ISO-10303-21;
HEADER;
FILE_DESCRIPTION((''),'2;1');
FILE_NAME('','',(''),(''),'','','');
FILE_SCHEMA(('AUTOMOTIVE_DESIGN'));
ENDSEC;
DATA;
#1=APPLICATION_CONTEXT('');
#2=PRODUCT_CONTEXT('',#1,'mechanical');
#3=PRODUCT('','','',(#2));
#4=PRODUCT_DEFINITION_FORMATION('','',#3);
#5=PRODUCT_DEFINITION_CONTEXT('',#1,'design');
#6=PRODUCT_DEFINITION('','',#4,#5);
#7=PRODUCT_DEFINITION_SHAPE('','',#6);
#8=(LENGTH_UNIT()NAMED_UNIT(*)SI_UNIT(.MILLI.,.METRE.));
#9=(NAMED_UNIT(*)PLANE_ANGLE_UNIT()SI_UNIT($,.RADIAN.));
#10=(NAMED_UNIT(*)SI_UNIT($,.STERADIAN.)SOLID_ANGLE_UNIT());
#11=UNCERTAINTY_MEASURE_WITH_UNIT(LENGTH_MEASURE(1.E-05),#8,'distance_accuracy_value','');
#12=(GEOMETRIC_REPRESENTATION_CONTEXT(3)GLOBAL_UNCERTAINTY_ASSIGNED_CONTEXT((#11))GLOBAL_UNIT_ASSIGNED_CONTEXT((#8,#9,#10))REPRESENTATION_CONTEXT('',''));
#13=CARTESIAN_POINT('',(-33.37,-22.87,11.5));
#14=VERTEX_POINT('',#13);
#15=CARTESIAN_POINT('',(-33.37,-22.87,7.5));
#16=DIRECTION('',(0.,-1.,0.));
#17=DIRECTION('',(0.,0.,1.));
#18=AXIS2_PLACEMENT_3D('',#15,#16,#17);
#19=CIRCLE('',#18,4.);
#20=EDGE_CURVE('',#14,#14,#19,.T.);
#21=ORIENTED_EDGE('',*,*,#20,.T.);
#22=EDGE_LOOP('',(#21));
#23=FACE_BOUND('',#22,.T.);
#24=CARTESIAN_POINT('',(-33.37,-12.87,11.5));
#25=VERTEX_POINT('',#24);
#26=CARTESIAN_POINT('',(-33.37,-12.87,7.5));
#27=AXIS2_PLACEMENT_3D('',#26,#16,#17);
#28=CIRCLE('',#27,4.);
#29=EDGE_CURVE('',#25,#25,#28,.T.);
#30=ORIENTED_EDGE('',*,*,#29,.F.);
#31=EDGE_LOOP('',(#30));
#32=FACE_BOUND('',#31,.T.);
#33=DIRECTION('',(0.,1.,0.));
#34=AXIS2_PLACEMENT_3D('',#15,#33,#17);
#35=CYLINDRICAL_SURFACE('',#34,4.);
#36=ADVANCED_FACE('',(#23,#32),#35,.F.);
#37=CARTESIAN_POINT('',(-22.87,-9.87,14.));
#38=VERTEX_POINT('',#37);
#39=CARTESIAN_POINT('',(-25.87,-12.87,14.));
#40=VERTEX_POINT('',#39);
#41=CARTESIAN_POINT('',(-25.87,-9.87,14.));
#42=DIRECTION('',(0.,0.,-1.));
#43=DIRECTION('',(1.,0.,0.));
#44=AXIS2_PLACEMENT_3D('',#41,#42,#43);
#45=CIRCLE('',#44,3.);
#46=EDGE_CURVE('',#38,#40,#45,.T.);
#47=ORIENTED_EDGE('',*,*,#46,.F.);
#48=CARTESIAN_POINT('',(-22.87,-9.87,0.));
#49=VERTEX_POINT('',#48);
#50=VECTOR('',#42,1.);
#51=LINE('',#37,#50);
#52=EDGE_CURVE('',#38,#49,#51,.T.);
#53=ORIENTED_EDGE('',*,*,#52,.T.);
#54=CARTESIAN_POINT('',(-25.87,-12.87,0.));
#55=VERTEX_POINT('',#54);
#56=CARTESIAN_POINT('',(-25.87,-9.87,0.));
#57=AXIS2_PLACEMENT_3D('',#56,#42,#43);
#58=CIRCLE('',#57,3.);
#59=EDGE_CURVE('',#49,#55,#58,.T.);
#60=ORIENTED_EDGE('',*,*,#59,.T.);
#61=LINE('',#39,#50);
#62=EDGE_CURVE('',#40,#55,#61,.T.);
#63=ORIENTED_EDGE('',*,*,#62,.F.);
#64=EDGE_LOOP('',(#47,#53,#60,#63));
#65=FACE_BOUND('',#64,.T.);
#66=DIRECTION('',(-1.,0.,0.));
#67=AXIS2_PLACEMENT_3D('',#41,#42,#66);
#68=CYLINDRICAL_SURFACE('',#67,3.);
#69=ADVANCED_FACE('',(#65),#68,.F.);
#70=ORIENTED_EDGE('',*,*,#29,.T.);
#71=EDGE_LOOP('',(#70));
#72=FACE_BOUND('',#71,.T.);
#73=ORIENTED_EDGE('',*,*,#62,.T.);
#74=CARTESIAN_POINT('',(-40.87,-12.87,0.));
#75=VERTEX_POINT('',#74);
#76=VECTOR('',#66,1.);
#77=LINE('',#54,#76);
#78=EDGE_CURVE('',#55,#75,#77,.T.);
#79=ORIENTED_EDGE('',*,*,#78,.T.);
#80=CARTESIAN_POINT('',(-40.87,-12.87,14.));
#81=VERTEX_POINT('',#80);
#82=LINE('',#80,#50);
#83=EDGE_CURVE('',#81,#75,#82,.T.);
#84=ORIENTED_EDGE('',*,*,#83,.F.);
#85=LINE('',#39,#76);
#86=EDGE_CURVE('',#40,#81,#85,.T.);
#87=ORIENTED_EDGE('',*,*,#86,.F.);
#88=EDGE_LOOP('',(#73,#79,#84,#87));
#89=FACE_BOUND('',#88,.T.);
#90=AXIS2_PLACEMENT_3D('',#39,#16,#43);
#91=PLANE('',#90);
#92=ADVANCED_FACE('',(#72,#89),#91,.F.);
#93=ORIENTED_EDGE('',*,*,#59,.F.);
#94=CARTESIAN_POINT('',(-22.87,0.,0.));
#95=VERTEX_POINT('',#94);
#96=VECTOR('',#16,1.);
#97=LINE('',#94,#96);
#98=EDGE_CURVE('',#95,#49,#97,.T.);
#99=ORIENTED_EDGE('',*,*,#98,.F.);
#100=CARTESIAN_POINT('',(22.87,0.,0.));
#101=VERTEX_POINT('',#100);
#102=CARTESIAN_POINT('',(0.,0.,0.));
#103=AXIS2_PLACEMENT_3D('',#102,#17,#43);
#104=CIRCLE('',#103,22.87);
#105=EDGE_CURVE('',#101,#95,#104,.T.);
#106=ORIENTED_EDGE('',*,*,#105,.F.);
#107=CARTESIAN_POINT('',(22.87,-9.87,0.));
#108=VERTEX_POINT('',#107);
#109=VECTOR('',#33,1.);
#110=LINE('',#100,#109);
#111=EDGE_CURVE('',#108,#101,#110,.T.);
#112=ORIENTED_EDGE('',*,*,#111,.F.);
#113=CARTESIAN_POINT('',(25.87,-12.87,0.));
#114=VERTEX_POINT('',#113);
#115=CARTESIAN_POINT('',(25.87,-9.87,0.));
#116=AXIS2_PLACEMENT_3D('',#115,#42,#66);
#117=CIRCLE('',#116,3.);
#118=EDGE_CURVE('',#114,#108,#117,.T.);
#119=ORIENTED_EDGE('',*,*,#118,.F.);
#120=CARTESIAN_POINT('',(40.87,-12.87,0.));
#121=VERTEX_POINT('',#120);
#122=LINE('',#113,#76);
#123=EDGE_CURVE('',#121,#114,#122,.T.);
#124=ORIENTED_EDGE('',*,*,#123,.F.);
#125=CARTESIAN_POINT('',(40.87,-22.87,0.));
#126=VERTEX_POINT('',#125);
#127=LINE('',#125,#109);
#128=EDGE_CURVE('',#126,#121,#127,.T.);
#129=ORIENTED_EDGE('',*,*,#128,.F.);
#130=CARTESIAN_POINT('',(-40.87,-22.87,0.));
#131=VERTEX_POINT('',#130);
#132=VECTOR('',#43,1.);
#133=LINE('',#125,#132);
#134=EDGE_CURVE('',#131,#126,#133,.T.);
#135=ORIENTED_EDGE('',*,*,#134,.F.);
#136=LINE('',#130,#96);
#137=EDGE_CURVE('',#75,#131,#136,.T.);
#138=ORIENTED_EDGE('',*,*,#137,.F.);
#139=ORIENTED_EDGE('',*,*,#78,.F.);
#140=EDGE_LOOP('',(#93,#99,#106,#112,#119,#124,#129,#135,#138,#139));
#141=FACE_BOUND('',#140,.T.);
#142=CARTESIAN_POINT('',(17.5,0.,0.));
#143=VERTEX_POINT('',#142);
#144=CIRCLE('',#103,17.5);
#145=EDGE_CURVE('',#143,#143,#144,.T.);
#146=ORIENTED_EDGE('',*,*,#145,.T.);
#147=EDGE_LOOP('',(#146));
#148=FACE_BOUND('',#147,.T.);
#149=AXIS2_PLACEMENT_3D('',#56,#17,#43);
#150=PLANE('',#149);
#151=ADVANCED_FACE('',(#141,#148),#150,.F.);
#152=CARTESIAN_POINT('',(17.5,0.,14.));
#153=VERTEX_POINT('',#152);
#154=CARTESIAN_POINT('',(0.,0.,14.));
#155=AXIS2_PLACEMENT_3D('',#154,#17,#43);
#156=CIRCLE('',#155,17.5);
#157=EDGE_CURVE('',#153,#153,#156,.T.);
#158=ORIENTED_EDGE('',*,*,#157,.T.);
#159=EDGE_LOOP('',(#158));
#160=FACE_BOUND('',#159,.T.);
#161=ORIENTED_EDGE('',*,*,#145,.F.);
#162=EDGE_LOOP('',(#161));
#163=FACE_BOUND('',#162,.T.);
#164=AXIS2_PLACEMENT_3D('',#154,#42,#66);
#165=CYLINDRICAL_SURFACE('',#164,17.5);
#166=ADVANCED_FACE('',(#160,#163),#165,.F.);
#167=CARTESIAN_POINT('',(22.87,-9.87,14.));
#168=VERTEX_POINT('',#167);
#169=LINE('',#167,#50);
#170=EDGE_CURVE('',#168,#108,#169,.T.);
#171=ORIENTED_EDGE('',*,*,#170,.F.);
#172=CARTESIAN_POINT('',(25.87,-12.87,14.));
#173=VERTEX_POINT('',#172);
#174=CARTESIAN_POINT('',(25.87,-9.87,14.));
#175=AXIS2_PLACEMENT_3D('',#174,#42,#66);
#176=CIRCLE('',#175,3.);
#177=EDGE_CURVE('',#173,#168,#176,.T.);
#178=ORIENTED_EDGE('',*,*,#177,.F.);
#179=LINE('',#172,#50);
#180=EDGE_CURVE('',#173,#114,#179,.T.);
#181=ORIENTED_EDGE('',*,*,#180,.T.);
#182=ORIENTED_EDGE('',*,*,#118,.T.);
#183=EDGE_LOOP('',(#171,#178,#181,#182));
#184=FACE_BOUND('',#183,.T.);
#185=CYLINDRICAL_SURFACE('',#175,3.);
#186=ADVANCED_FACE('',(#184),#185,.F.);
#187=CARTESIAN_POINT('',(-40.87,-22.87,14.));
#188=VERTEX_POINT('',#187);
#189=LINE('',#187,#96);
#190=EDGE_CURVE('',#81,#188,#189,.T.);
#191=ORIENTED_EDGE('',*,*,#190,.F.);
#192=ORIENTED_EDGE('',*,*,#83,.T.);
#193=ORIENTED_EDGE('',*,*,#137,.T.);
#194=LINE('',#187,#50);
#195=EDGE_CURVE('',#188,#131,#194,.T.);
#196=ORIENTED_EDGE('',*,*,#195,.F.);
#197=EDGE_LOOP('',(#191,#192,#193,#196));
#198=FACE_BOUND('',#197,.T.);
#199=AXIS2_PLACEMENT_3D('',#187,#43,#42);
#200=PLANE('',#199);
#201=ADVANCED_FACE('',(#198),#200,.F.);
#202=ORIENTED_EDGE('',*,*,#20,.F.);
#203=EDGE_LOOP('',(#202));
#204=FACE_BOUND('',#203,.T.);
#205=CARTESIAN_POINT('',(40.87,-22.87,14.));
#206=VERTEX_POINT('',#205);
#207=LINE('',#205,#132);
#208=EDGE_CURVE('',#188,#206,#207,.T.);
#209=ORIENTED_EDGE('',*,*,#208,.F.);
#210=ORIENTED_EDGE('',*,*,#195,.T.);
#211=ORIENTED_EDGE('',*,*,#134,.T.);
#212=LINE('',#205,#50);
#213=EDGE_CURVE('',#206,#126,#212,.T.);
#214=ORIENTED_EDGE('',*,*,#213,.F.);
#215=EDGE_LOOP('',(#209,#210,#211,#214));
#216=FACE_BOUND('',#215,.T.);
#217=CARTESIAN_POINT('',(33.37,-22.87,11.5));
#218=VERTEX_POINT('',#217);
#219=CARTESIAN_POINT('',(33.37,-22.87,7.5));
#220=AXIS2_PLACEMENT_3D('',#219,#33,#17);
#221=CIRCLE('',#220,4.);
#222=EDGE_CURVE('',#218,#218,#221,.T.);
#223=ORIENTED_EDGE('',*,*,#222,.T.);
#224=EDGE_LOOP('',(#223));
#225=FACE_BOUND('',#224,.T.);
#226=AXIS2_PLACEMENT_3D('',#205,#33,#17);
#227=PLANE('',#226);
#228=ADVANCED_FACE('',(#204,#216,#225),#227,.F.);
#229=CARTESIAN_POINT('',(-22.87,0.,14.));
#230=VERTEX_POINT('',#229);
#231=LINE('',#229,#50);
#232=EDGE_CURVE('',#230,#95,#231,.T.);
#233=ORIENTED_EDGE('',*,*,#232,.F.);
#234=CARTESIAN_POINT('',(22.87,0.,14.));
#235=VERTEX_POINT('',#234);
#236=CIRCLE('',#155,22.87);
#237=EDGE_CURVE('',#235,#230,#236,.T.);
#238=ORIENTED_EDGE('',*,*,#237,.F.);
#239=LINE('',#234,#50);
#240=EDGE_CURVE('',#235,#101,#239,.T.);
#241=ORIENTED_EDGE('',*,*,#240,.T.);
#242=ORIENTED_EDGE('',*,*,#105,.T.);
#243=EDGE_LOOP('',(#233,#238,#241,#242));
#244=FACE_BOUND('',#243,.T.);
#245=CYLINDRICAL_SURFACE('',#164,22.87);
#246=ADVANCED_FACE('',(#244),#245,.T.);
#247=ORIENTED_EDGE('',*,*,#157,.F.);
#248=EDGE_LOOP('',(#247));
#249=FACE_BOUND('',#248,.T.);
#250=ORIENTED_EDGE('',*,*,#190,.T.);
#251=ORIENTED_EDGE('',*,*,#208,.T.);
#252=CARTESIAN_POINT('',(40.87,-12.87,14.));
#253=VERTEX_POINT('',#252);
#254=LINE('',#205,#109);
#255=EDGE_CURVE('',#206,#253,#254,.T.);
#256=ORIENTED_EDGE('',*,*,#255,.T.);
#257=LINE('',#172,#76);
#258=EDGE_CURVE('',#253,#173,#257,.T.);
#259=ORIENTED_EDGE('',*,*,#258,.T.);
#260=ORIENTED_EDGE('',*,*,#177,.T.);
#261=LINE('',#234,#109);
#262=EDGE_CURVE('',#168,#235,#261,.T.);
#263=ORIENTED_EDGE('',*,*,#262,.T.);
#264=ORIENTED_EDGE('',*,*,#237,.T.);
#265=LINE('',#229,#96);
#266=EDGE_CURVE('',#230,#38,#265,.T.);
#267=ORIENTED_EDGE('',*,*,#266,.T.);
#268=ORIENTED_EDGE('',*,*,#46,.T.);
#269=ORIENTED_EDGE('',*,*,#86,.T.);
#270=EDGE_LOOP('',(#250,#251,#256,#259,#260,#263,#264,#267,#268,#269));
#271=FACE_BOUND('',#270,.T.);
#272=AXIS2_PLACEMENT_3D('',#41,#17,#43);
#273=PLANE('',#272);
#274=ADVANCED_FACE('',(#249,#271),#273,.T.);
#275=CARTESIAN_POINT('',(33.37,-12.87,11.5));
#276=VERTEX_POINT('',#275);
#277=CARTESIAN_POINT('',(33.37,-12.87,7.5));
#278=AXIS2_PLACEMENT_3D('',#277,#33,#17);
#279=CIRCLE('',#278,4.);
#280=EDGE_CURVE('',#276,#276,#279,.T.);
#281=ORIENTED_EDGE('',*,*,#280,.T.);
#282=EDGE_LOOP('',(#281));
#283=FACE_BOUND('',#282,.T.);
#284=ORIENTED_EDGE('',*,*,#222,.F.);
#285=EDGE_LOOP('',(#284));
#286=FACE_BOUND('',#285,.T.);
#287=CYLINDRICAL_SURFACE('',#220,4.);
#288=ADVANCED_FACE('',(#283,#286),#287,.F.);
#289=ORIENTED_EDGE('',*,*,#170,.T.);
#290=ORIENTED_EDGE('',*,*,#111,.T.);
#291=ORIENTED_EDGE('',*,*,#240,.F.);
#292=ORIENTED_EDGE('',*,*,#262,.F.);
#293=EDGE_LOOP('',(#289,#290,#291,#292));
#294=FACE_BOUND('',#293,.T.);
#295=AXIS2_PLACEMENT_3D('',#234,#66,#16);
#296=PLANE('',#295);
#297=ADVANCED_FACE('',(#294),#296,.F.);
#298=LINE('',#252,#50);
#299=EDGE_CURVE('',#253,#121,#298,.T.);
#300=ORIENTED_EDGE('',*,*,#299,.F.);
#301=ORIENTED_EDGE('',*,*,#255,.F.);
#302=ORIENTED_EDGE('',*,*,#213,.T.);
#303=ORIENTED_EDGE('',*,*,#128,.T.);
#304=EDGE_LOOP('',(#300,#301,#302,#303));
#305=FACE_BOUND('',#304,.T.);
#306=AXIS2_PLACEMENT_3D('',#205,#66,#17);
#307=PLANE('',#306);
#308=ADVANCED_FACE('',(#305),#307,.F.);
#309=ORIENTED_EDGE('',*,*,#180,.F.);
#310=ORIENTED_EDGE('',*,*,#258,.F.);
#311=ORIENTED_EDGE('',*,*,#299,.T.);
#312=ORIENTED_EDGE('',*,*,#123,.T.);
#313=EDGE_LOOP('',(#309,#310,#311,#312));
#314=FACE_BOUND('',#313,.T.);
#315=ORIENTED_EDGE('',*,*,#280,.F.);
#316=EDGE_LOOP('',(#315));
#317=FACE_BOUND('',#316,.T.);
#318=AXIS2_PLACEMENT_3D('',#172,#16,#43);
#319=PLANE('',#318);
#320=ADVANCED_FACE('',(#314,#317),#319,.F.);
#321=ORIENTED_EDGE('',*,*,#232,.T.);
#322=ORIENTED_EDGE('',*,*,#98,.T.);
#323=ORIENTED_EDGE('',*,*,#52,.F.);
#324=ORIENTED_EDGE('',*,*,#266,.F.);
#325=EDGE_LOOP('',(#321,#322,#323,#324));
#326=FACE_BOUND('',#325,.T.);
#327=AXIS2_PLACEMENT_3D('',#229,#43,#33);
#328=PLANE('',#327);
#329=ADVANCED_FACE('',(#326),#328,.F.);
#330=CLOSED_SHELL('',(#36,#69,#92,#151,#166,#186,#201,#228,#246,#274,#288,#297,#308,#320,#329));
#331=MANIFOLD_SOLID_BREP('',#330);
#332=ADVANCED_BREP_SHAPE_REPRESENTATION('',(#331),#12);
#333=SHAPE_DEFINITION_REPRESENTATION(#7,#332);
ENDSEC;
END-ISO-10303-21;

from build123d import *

# Parameters (mm, degrees)
SKETCH1_R           = 17.5
BOSS_EXTRUDE1_DEPTH = 14
SKETCH2_R           = 4
CUT_EXTRUDE1_DEPTH  = 11


with BuildPart() as part:
    # Sketch1 → Boss-Extrude1 (new body)
    with BuildSketch(Plane.XY):
        with BuildLine():
            Line((40.87, -22.87), (-40.87, -22.87))
            Line((-40.87, -22.87), (-40.87, -12.87))
            Line((-40.87, -12.87), (-25.87, -12.87))
            ThreePointArc((-25.87, -12.87), (-23.748679656, -11.991320344), (-22.87, -9.87))
            Line((-22.87, -9.87), (-22.87, 0))
            ThreePointArc((-22.87, 0), (0, 22.87), (22.87, 0))
            Line((22.87, 0), (22.87, -9.87))
            ThreePointArc((22.87, -9.87), (23.748679656, -11.991320344), (25.87, -12.87))
            Line((25.87, -12.87), (40.87, -12.87))
            Line((40.87, -12.87), (40.87, -22.87))
        make_face()
        Circle(SKETCH1_R, mode=Mode.SUBTRACT)
    extrude(amount=BOSS_EXTRUDE1_DEPTH)

    # Sketch2 → Cut-Extrude1 (cut, through all)
    with BuildSketch(Plane(origin=(0, -12.87, 0), x_dir=(1, 0, 0), z_dir=(0, 1, 0))):
        with Locations((33.37, -7.5)):
            Circle(SKETCH2_R)
    cut_extrude1 = extrude(amount=-CUT_EXTRUDE1_DEPTH, mode=Mode.SUBTRACT)

    # Mirror1: Cut-Extrude1 across plane
    add(cut_extrude1.mirror(Plane(origin=(0, 0, 0), x_dir=(0, 0, 1), z_dir=(1, 0, 0))), mode=Mode.SUBTRACT)


solid = part.part
